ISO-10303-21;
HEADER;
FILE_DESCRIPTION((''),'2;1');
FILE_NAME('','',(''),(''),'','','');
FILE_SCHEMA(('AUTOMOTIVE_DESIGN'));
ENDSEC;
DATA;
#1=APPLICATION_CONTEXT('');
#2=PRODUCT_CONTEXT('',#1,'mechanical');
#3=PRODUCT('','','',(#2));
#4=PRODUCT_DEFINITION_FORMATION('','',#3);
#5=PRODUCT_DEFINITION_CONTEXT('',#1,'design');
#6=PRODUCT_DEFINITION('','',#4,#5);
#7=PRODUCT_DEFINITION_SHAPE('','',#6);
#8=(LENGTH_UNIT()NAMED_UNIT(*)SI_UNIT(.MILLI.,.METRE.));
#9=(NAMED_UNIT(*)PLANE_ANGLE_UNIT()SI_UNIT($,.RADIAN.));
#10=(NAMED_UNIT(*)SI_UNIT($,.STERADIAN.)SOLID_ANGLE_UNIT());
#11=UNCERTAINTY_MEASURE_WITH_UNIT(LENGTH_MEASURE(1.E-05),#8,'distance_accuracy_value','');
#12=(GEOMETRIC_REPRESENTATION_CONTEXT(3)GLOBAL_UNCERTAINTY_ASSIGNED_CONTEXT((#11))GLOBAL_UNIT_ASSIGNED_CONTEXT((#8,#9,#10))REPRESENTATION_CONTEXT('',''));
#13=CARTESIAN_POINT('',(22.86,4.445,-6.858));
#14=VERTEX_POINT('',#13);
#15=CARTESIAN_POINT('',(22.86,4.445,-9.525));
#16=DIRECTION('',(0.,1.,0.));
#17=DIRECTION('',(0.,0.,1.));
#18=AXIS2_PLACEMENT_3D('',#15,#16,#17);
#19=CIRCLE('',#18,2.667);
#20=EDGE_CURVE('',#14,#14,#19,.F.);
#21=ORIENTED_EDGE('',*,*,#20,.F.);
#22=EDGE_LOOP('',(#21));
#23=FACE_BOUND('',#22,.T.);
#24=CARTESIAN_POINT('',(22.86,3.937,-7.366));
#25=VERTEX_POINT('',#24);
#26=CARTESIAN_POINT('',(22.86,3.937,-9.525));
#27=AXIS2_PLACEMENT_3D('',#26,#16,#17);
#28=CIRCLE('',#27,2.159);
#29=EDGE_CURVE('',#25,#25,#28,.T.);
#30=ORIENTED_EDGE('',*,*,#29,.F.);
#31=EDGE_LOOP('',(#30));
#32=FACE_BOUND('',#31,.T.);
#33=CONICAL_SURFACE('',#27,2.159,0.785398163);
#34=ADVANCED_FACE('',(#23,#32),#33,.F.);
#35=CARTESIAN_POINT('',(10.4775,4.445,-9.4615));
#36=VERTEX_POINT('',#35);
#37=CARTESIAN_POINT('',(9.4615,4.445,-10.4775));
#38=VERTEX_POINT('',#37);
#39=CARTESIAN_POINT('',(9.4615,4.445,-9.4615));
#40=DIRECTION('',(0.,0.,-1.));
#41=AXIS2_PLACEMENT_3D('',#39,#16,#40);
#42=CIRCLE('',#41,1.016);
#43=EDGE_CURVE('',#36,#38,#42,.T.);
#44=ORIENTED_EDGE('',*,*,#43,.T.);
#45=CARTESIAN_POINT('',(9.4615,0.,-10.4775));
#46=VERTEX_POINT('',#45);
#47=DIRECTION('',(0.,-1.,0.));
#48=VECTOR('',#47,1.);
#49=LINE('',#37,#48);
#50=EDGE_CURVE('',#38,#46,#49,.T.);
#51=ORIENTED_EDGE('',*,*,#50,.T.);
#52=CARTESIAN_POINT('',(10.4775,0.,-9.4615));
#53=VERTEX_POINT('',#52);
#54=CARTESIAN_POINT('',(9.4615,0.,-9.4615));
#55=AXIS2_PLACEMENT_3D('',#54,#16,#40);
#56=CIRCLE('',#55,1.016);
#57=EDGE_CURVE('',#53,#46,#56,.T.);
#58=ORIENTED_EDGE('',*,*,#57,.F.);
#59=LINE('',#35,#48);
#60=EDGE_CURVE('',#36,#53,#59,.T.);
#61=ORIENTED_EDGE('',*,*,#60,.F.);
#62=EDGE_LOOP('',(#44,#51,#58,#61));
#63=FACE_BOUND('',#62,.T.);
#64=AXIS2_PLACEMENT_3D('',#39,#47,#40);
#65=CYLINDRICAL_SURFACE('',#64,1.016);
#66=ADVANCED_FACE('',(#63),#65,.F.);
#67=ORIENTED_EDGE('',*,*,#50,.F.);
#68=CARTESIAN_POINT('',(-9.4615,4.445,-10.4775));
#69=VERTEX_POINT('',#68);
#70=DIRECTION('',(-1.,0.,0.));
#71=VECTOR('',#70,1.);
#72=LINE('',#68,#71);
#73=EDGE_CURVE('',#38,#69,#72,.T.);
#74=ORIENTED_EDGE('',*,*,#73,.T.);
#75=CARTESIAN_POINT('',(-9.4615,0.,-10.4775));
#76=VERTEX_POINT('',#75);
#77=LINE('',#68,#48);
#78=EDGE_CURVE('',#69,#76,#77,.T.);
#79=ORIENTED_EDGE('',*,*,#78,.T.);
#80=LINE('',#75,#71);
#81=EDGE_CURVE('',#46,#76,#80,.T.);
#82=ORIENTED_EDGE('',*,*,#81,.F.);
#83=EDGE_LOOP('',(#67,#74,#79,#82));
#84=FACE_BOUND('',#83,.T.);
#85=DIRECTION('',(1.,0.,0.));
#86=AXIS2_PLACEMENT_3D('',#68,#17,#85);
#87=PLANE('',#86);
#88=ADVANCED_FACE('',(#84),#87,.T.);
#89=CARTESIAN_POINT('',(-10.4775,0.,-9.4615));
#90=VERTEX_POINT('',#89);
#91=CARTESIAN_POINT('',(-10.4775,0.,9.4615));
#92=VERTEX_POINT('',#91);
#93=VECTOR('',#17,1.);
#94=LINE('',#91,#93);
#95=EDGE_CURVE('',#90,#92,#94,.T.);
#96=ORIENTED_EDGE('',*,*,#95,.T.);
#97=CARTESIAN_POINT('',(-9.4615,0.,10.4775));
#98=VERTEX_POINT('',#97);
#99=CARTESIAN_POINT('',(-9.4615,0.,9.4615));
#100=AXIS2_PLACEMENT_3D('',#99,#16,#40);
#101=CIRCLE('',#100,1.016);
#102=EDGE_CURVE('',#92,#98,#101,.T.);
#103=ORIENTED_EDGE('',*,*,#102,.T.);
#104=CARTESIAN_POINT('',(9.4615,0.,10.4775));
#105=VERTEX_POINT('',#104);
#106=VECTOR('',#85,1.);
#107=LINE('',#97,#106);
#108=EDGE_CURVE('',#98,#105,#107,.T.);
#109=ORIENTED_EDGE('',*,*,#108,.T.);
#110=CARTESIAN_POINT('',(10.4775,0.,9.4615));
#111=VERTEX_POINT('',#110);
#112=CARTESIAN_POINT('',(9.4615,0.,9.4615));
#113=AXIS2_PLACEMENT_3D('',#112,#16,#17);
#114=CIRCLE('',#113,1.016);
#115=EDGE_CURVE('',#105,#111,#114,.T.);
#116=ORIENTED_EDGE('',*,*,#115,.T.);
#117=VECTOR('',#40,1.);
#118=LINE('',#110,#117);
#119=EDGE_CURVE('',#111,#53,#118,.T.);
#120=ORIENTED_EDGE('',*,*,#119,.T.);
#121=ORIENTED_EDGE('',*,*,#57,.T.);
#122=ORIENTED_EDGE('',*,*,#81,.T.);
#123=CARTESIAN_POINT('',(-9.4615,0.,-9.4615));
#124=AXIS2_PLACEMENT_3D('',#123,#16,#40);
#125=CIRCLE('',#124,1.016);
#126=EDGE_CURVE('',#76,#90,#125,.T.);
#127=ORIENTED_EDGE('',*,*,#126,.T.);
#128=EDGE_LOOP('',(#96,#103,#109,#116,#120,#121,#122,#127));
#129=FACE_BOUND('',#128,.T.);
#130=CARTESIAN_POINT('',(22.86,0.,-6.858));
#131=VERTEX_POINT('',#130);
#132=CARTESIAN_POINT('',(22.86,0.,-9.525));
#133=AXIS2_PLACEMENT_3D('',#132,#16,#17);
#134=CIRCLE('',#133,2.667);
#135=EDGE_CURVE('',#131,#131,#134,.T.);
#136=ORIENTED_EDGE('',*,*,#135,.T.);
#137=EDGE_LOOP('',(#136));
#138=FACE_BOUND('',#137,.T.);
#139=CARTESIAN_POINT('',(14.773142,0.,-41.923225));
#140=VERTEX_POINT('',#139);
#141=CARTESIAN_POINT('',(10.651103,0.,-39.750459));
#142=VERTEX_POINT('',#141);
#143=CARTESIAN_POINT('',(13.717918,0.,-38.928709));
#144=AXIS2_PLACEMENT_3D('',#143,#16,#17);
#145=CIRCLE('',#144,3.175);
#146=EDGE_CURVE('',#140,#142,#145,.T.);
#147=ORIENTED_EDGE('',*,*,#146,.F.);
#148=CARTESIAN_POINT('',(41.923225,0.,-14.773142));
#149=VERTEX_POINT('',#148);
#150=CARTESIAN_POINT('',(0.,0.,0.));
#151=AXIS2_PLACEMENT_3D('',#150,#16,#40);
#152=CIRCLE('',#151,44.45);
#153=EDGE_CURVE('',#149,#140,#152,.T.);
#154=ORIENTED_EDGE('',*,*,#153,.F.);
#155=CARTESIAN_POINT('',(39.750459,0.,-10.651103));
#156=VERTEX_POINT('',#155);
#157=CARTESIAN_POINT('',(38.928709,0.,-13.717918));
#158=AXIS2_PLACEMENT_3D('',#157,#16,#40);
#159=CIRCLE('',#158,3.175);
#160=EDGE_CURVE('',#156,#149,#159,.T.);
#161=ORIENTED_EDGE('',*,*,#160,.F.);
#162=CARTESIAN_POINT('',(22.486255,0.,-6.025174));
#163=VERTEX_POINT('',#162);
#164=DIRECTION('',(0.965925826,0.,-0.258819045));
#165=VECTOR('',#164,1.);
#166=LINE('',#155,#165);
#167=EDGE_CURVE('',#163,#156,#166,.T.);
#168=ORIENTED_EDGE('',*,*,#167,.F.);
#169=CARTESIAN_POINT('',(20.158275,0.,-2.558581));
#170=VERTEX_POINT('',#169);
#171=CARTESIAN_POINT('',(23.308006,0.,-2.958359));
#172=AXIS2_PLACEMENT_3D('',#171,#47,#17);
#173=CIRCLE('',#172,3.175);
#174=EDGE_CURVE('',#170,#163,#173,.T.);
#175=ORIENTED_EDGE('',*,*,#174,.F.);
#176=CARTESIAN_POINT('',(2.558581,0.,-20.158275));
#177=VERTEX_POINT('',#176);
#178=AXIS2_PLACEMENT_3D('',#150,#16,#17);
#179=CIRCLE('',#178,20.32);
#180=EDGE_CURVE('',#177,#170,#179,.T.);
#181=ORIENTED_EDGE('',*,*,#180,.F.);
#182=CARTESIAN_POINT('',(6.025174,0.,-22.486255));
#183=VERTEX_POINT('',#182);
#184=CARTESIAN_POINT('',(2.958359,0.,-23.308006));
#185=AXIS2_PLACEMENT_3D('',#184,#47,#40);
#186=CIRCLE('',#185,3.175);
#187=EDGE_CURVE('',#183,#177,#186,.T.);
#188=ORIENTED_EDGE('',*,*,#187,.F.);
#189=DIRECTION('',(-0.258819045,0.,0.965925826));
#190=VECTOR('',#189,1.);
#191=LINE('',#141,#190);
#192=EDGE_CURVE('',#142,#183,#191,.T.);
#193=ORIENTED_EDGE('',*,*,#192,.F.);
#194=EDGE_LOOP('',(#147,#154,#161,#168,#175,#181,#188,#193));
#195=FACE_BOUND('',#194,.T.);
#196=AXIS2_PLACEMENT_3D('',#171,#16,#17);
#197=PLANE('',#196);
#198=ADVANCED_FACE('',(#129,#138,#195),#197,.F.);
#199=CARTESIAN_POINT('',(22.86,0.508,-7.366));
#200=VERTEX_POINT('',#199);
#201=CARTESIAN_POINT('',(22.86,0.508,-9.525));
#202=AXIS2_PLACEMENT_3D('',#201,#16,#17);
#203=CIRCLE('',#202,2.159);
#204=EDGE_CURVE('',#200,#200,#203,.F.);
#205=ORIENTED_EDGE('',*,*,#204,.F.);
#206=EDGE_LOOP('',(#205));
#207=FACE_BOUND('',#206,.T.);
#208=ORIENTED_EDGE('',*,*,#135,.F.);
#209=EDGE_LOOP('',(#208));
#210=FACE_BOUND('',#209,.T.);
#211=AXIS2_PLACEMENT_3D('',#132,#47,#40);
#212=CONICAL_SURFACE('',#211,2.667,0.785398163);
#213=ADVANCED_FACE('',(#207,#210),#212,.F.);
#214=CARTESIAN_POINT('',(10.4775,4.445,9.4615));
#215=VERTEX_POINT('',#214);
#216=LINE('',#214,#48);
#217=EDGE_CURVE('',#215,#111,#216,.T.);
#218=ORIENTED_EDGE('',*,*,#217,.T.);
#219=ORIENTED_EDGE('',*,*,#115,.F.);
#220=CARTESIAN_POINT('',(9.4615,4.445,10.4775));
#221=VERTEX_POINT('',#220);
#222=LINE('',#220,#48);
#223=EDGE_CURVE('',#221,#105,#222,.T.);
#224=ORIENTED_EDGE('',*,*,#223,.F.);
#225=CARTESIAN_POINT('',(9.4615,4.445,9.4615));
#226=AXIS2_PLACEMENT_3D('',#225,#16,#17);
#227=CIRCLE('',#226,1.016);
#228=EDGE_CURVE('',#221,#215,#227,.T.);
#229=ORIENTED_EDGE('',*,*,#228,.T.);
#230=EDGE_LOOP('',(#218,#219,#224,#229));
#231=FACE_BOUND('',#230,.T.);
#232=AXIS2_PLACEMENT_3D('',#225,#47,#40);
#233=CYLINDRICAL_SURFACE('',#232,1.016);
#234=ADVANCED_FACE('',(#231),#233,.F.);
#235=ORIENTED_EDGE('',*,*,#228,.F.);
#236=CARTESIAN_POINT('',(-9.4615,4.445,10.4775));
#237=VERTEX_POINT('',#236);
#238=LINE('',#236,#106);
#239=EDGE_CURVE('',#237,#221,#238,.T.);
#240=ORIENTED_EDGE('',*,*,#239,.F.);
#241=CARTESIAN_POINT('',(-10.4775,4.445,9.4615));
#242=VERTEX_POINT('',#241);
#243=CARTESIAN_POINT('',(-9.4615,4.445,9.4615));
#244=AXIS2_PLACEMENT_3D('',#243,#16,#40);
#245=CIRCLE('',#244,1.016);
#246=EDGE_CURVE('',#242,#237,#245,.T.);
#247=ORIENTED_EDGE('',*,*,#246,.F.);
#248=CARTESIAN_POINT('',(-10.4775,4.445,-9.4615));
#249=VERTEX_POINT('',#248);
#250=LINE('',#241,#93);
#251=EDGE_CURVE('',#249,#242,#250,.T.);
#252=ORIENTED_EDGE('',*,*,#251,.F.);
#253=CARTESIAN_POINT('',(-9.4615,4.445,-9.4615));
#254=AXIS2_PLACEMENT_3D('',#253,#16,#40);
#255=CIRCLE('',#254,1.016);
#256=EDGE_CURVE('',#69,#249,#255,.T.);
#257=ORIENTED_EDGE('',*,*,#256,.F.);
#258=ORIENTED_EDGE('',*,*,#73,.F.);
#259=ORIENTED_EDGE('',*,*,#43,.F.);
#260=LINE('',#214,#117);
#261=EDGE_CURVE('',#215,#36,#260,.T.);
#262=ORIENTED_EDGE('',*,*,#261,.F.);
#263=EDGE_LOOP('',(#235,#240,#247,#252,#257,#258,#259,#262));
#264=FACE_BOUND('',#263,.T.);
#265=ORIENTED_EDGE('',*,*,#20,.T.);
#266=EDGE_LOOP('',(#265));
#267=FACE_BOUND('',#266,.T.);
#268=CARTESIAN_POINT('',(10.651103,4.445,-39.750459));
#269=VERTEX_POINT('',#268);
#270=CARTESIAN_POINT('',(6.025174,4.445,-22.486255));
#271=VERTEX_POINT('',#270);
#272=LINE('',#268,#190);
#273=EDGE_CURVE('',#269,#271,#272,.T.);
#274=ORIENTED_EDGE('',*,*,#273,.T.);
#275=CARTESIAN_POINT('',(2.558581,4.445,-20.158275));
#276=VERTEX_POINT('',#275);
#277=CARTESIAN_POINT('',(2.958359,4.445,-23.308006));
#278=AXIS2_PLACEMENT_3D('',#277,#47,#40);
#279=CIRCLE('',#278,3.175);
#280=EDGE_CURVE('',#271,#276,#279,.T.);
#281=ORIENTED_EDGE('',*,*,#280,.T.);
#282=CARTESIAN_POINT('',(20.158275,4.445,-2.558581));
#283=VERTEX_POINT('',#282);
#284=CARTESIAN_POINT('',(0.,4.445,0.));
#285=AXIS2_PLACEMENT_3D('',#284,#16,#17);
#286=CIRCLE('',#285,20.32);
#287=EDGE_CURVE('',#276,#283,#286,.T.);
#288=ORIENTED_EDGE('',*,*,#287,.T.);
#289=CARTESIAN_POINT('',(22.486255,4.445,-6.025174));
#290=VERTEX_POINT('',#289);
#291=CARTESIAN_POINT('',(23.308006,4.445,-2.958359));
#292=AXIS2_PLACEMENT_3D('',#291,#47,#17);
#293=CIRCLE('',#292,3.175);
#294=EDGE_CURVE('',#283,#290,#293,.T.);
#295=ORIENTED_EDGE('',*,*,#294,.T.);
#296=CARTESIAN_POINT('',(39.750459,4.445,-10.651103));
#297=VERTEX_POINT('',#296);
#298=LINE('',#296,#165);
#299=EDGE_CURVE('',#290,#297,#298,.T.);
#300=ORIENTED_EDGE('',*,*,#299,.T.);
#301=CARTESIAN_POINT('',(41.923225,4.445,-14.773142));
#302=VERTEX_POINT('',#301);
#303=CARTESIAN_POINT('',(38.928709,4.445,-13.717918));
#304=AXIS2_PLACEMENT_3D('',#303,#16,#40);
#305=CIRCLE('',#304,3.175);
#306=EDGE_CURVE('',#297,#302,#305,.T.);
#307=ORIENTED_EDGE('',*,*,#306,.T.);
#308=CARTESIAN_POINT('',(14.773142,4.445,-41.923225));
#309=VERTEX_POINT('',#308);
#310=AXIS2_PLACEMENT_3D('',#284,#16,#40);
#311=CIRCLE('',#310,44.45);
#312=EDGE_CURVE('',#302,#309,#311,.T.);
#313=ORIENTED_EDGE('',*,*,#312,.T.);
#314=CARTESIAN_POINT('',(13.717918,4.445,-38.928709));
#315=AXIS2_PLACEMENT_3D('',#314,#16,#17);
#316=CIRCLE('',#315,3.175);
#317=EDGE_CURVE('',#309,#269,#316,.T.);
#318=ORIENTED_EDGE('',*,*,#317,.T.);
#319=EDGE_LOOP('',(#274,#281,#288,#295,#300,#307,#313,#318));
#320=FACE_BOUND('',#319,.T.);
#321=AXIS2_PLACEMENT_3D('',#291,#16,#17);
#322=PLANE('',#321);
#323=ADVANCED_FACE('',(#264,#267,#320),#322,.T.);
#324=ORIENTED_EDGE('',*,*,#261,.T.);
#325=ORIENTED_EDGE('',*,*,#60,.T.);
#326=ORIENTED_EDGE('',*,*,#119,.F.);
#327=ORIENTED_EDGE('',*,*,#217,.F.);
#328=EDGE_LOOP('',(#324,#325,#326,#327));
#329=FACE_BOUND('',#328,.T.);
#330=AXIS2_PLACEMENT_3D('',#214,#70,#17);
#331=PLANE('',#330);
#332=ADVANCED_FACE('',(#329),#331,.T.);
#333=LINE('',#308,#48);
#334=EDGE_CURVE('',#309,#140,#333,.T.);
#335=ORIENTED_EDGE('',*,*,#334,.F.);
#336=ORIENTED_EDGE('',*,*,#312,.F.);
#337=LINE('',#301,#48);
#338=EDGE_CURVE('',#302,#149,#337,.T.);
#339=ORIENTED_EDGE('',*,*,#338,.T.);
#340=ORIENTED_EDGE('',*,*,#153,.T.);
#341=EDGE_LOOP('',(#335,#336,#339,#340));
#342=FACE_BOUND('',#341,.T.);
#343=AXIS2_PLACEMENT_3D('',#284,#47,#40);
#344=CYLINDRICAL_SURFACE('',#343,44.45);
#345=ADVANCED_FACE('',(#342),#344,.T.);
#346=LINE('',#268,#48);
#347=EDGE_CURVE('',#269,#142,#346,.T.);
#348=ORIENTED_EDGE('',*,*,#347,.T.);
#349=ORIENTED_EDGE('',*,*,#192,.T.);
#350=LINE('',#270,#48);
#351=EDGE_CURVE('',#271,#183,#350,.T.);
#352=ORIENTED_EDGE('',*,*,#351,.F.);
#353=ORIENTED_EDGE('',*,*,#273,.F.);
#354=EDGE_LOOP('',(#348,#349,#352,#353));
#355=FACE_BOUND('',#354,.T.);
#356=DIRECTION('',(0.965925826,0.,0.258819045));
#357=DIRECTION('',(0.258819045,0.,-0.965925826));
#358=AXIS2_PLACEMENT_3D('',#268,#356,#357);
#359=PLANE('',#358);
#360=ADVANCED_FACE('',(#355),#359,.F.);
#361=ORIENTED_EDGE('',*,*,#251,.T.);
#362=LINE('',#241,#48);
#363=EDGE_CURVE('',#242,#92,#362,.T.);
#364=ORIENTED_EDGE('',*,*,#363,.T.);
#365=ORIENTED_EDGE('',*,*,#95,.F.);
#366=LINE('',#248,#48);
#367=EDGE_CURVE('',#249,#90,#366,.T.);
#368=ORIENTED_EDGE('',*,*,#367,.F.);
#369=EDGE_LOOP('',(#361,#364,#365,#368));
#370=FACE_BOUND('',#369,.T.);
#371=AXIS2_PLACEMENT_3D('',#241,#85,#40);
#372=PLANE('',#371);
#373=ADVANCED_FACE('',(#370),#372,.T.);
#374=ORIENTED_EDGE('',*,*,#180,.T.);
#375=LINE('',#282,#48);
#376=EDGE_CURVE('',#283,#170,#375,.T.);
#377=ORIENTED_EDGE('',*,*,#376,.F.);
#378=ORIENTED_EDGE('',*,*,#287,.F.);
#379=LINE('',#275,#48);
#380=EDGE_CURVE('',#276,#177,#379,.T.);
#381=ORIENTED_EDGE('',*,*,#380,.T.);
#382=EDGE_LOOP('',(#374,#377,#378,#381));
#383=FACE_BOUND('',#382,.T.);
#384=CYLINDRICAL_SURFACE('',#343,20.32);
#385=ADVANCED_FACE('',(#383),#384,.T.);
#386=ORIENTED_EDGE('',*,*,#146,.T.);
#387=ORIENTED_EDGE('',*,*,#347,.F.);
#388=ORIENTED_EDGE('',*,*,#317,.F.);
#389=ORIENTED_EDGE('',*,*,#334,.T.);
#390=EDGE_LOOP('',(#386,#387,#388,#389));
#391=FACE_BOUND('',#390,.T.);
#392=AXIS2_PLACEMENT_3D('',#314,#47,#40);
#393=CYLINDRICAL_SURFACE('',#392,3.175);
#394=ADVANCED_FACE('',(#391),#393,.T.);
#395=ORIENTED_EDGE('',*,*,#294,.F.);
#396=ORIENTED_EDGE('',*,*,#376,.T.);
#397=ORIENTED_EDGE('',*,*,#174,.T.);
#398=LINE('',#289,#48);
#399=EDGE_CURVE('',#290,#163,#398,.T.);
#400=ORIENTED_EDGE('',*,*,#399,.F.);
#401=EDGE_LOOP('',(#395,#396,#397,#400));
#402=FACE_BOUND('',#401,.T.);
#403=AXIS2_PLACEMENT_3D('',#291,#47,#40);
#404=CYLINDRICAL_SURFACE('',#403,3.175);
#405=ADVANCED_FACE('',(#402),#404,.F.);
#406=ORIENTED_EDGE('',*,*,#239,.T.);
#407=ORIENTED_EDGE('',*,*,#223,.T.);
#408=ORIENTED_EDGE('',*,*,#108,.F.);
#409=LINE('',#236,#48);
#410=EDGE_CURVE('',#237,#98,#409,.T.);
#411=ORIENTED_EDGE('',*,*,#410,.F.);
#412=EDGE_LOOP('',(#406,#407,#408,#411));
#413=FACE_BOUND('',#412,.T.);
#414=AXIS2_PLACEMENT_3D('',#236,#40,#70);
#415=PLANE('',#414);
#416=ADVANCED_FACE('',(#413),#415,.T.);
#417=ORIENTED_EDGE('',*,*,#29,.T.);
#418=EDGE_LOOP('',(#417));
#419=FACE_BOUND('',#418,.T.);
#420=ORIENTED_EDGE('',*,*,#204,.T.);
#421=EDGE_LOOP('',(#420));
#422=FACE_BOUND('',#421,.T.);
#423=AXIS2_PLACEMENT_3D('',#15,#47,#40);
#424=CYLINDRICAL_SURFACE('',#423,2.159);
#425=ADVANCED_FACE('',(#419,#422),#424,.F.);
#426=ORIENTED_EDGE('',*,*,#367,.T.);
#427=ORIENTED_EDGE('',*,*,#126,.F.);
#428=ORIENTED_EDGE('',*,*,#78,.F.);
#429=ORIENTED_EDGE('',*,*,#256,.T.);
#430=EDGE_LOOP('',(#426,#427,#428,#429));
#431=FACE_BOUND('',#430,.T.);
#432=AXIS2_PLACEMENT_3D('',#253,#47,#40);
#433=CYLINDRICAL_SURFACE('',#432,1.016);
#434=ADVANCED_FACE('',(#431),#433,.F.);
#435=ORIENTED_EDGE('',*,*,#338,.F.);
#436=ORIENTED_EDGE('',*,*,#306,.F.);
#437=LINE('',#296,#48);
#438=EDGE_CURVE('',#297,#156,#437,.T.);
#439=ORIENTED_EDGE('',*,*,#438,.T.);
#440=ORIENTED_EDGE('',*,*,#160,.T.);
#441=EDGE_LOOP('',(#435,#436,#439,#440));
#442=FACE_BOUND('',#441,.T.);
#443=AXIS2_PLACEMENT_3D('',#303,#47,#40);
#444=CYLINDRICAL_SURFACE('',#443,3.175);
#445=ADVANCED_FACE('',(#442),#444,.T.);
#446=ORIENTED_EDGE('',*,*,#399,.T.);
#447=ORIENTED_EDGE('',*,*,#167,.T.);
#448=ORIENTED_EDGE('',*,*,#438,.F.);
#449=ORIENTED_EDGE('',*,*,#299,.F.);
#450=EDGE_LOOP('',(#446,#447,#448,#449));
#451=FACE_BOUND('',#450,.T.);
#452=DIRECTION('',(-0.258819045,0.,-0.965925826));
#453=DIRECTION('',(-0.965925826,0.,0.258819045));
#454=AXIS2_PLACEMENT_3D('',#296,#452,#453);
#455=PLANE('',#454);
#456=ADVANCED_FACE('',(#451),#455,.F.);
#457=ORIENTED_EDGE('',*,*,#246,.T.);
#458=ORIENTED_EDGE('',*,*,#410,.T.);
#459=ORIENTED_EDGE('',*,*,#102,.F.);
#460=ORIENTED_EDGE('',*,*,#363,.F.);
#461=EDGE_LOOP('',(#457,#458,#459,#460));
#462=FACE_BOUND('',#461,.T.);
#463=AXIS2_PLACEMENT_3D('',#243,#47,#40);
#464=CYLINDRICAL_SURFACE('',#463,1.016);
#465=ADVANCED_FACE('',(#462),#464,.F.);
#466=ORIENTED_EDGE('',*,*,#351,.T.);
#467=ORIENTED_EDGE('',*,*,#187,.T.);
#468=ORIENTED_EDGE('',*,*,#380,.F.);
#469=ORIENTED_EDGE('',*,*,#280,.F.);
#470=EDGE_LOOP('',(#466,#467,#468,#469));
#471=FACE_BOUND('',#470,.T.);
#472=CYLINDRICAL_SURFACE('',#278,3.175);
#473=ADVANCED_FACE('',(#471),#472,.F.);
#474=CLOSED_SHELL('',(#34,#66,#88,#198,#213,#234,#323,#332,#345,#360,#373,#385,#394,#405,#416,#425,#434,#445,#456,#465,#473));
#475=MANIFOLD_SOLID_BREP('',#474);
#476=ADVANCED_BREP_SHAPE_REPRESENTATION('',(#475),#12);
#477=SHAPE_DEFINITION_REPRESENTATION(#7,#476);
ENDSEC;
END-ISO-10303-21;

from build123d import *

# Parameters (mm, degrees)
SKETCH3_R           = 2.159
BOSS_EXTRUDE1_DEPTH = 4.445
CHAMFER1_SIZE       = 0.508


with BuildPart() as part:
    # Sketch3 → Boss-Extrude1 (new body)
    with BuildSketch(Plane(origin=(0, 0, 0), x_dir=(1, 0, 0), z_dir=(0, 1, 0))):
        with BuildLine():
            Line((10.651103406, 39.750459069), (6.025173957, 22.486255331))
            ThreePointArc((6.025173957, 22.486255331), (4.728428182, 20.672198197), (2.558581153, 20.158275285))
            ThreePointArc((2.558581153, 20.158275285), (-14.368409794, -14.368409794), (20.158275285, 2.558581153))
            ThreePointArc((20.158275285, 2.558581153), (20.672198197, 4.728428182), (22.486255331, 6.025173957))
            Line((22.486255331, 6.025173957), (39.750459069, 10.651103406))
            ThreePointArc((39.750459069, 10.651103406), (41.737404706, 12.237427719), (41.923224647, 14.773142359))
            ThreePointArc((41.923224647, 14.773142359), (31.430896424, 31.430896424), (14.773142359, 41.923224647))
            ThreePointArc((14.773142359, 41.923224647), (12.237427719, 41.737404706), (10.651103406, 39.750459069))
        make_face()
        with Locations((22.86, 9.525)):
            Circle(SKETCH3_R, mode=Mode.SUBTRACT)
        with BuildLine():
            Line((-9.4615, -10.4775), (9.4615, -10.4775))
            ThreePointArc((9.4615, -10.4775), (10.17992049, -10.17992049), (10.4775, -9.4615))
            Line((10.4775, -9.4615), (10.4775, 9.4615))
            ThreePointArc((10.4775, 9.4615), (10.17992049, 10.17992049), (9.4615, 10.4775))
            Line((9.4615, 10.4775), (-9.4615, 10.4775))
            ThreePointArc((-9.4615, 10.4775), (-10.17992049, 10.17992049), (-10.4775, 9.4615))
            Line((-10.4775, 9.4615), (-10.4775, -9.4615))
            ThreePointArc((-10.4775, -9.4615), (-10.17992049, -10.17992049), (-9.4615, -10.4775))
        make_face(mode=Mode.SUBTRACT)
    extrude(amount=BOSS_EXTRUDE1_DEPTH)

    # Chamfer1
    chamfer1_edges = [part.edges().sort_by_distance(p)[0] for p in [
        (20.701, 0, -9.525),
        (20.701, 4.445, -9.525),
    ]]
    chamfer(chamfer1_edges, length=CHAMFER1_SIZE)


solid = part.part
